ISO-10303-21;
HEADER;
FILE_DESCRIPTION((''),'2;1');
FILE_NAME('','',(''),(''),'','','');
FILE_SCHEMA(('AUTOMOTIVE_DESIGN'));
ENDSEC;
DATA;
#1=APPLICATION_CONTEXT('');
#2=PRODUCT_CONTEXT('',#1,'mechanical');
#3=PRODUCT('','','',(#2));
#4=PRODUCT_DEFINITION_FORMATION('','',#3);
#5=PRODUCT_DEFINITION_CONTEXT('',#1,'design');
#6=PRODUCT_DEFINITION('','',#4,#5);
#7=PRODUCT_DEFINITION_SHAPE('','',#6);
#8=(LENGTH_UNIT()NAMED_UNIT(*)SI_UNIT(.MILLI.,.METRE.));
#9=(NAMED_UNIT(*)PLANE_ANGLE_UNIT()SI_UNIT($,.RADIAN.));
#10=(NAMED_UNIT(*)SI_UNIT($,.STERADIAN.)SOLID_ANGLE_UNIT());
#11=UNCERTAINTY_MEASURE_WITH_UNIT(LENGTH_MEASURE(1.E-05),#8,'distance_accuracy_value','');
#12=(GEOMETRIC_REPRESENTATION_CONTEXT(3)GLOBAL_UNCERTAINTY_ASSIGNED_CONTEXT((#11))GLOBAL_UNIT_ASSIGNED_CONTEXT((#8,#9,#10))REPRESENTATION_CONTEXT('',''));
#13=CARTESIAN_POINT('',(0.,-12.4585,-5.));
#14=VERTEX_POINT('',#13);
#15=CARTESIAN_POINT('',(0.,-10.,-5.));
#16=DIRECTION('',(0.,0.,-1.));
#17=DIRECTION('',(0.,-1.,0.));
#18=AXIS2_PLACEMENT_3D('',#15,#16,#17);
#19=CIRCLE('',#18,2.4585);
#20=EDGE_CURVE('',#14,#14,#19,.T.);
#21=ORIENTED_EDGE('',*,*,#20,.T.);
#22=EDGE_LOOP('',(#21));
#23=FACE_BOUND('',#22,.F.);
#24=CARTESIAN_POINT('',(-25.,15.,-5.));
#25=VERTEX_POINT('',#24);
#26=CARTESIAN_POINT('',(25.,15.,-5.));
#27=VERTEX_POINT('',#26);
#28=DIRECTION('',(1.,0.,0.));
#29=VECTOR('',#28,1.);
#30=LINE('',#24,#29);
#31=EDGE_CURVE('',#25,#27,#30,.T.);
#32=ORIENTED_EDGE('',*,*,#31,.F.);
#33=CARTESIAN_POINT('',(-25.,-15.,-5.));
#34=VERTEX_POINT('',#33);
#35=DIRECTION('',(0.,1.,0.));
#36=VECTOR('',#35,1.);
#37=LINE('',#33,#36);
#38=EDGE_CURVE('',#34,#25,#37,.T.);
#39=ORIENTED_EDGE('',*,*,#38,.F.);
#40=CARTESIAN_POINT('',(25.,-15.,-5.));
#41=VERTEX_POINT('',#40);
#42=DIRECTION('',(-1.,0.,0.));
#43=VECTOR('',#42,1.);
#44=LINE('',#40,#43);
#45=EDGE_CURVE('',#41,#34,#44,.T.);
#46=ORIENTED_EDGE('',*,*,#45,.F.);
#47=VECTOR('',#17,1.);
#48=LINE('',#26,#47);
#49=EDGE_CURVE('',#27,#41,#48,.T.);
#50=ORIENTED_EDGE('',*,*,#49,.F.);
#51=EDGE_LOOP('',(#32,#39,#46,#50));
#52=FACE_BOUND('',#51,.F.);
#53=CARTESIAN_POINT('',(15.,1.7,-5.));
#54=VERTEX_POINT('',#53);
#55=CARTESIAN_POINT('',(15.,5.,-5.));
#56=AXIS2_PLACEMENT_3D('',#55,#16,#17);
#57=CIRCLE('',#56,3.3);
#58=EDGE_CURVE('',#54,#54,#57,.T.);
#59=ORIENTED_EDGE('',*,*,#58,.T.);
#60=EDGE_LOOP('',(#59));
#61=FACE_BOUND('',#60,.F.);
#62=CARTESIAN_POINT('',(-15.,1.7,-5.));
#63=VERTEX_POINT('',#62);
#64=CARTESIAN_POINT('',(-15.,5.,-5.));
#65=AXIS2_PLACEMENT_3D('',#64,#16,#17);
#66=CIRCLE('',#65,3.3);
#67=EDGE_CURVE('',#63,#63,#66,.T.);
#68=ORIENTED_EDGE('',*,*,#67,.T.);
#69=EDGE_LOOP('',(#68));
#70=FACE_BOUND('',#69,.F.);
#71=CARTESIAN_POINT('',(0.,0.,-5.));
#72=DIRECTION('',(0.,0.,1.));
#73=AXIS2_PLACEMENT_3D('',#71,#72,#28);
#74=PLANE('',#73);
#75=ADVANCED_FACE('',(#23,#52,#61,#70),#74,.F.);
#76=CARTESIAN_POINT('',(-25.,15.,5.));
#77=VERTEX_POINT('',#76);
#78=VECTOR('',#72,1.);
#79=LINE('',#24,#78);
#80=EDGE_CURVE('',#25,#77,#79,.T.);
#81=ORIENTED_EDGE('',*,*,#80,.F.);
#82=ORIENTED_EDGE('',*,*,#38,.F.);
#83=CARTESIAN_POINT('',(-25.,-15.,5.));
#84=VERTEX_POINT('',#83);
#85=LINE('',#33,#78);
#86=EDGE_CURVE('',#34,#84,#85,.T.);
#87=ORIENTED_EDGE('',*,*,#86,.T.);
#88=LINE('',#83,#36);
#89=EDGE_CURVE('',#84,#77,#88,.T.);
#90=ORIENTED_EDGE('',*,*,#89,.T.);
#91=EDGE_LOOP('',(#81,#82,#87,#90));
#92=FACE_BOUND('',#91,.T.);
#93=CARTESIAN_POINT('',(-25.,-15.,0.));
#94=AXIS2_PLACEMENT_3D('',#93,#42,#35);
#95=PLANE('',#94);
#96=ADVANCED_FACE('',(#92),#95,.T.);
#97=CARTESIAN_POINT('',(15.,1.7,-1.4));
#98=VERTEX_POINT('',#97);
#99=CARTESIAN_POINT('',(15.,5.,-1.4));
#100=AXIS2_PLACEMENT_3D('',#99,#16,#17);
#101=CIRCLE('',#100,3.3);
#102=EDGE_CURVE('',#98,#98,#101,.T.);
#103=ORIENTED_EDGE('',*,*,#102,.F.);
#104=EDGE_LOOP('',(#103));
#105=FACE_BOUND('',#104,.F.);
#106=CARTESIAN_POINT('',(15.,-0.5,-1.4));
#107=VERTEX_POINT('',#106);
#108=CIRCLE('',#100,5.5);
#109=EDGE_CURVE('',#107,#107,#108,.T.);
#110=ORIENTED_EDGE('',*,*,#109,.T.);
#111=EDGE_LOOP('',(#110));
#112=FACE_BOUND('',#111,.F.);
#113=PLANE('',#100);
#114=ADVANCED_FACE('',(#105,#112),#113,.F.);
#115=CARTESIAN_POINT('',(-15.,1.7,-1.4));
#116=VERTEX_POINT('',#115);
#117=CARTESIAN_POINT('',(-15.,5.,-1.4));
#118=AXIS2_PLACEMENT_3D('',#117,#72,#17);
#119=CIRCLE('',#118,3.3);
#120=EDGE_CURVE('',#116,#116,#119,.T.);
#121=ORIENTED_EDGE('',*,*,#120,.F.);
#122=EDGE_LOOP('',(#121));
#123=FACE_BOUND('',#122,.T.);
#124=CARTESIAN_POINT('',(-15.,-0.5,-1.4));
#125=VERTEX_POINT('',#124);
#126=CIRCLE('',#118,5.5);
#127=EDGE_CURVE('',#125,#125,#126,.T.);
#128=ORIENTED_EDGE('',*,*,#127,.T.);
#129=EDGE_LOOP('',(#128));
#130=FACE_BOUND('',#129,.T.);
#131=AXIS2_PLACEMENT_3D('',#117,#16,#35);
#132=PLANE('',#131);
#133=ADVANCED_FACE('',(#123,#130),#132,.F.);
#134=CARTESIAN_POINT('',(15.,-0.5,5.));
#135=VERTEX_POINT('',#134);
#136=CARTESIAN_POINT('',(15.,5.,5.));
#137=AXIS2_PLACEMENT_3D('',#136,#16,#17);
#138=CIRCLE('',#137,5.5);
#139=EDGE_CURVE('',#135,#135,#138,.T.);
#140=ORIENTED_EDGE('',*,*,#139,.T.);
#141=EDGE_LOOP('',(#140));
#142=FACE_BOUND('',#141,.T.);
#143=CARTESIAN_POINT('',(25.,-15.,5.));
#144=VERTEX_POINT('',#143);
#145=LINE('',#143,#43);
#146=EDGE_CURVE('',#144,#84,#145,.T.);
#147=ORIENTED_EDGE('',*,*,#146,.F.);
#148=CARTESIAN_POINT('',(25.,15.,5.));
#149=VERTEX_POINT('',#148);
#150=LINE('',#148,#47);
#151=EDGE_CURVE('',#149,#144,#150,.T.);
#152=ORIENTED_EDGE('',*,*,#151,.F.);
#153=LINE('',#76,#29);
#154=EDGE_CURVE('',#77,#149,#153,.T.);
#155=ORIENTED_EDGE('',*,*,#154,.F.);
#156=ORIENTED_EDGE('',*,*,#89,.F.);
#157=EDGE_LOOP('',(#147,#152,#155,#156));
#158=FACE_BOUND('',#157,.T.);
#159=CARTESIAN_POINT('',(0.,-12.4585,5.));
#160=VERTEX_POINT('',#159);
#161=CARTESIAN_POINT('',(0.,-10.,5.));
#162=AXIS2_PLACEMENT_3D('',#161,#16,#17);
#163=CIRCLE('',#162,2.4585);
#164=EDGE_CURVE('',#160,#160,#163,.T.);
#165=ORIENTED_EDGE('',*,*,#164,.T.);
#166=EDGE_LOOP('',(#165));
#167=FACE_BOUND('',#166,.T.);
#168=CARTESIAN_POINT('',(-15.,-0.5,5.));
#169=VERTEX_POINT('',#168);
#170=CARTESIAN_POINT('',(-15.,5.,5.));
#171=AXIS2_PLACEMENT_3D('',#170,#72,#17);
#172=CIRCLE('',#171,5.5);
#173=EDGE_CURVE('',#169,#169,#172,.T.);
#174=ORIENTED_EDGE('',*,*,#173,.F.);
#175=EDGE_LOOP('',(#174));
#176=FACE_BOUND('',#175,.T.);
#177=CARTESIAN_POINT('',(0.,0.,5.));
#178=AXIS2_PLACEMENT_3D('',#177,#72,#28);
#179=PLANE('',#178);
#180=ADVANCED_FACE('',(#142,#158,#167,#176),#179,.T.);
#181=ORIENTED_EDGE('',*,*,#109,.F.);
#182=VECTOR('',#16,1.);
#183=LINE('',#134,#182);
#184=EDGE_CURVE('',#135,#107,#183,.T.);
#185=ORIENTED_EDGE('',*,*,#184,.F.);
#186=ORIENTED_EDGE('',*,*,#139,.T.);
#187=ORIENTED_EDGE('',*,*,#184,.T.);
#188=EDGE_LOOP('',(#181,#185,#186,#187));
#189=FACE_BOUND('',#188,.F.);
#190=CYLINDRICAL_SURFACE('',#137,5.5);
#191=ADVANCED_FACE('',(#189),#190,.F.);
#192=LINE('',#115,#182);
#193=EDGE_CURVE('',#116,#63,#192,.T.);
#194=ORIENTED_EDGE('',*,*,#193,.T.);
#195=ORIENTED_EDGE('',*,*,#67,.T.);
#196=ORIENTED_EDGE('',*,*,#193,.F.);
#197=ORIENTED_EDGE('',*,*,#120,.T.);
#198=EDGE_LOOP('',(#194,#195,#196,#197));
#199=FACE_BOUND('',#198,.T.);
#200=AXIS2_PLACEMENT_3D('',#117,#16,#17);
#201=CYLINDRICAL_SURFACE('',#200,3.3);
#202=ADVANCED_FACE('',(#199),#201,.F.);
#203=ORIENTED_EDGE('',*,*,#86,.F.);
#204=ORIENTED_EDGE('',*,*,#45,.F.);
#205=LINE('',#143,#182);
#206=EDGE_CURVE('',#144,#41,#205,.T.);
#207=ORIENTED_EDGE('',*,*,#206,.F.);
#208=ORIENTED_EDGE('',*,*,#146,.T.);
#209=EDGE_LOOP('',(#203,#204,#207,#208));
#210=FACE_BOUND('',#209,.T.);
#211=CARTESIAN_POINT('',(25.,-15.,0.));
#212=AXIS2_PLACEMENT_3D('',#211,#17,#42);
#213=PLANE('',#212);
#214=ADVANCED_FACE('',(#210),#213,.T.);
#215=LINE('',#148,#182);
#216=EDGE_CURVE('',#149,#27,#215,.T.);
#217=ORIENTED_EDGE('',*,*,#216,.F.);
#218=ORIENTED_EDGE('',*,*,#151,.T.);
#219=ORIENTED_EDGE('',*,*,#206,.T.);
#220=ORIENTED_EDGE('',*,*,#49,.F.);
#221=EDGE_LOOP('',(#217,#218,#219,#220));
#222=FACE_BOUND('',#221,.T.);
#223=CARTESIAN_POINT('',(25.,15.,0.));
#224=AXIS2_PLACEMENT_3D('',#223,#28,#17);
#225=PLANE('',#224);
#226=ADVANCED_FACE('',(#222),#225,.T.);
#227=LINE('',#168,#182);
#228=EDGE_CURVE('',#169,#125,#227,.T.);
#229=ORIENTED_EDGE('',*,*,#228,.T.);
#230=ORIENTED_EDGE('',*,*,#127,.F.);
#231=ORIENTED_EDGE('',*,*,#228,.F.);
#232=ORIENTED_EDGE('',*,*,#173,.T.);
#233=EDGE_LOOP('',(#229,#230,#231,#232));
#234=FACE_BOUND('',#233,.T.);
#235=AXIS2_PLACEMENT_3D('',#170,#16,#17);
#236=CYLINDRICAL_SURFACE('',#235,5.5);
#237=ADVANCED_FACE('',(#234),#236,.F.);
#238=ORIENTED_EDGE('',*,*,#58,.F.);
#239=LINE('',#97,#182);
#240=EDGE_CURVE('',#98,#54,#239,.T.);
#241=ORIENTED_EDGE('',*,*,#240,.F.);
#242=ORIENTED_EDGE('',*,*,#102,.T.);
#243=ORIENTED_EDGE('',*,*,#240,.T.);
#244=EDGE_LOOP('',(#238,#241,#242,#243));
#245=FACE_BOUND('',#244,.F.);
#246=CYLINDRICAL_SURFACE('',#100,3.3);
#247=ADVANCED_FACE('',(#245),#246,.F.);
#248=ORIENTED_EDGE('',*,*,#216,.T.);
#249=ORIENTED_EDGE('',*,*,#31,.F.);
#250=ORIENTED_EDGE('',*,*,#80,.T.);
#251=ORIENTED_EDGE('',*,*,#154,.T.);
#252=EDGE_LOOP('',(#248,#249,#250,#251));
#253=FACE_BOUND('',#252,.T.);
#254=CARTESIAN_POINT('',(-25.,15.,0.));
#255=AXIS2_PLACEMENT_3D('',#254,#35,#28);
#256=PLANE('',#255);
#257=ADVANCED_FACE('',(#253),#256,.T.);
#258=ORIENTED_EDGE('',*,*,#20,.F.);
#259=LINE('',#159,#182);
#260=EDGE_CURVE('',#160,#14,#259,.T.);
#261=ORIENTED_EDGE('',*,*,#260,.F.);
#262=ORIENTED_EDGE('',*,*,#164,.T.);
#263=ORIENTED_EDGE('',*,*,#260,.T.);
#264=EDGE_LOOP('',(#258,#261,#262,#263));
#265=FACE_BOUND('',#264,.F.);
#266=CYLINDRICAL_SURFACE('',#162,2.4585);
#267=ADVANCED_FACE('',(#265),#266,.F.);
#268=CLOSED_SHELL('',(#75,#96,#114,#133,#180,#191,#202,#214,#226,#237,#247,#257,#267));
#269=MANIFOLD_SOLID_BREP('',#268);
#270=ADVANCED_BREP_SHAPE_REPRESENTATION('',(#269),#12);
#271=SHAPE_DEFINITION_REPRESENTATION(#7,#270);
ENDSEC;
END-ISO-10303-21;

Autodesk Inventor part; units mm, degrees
ref_plane "YZ Plane" through (0, 0, 0) normal (1, 0, 0) x (0, 1, 0)
ref_plane "XZ Plane" through (0, 0, 0) normal (0, 1, 0) x (-1, 0, 0)
ref_plane "XY Plane" through (0, 0, 0) normal (0, 0, 1) x (1, 0, 0)
sketch "Skizze1" plane through (0, 0, 0) normal (0, 0, 1) x (1, 0, 0)
  line L0 (-25, 15) -> (25, 15)
  line L1 (25, 15) -> (25, -15)
  line L2 (25, -15) -> (-25, -15)
  line L3 (-25, -15) -> (-25, 15)
  line L4 (-25, 15) -> (25, -15) construction
  line L5 (25, 15) -> (-25, -15) construction
  point P0 (0, 0)
  dimension "d0" = 50
  dimension "d1" = 30
extrude "Extrusion1" add sketch "Skizze1" along normal mid plane 10
sketch "Skizze3" plane through (0, 0, 5) normal (0, 0, 1) x (1, 0, 0)
  line L0 (-35, 0) -> (35, 0) projected
  line L1 (25, 15) -> (-25, 15) projected
  line L2 (0, -21) -> (0, 21) projected
  line L3 (0, 21) -> (0, -21) projected
  point P0 (0, 0)
  point P1 (0, -10)
  point P2 (15, 5)
  dimension "d6" = 25
  dimension "d16" = 10
  dimension "d31" = 15
hole "Bohrung1" at (0, -10, 5) direction (0, 0, -1) diameter 4.917 end through all thread size "M6x1" class "6H" standard "ISO Metric profile"
hole "Bohrung2" at (15, 5, 5) direction (0, 0, -1) diameter 6.6 end through all counterbore diameter 11 counterbore depth 6.4 clearance for "Sechskantkopfschraube DIN EN 24017" size "M6" standard "DIN"
mirror "Spiegeln1" about plane through (0, 0, 0) normal (1, 0, 0) of "Bohrung2"
equation "\"d0\" = Länge_Vertikalbegrenzung"
equation "\"d1\" = Breite_Vertikalbegrenzung"
equation "\"d2\" = Tiefe_Vertikalbegrenzung"
equation "\"d6\" = Abstand_Bohrung_Madenschraube"
equation "\"d16\" = Abstand_Bohrungen_y"
equation "\"d31\" = Abstand_Bohrungen_x"
equation "\"Länge_Vertikalbegrenzung\" = 50"
equation "\"Breite_Vertikalbegrenzung\" = 30"
equation "\"Tiefe_Vertikalbegrenzung\" = 10"
equation "\"Abstand_Bohrung_Madenschraube\" = 25"
equation "\"Abstand_Bohrungen_x\" = 15"
equation "\"Abstand_Bohrungen_y\" = 10"
properties part number "JH_Positionierungseinheit_Vertikalbegrenzung_int"
